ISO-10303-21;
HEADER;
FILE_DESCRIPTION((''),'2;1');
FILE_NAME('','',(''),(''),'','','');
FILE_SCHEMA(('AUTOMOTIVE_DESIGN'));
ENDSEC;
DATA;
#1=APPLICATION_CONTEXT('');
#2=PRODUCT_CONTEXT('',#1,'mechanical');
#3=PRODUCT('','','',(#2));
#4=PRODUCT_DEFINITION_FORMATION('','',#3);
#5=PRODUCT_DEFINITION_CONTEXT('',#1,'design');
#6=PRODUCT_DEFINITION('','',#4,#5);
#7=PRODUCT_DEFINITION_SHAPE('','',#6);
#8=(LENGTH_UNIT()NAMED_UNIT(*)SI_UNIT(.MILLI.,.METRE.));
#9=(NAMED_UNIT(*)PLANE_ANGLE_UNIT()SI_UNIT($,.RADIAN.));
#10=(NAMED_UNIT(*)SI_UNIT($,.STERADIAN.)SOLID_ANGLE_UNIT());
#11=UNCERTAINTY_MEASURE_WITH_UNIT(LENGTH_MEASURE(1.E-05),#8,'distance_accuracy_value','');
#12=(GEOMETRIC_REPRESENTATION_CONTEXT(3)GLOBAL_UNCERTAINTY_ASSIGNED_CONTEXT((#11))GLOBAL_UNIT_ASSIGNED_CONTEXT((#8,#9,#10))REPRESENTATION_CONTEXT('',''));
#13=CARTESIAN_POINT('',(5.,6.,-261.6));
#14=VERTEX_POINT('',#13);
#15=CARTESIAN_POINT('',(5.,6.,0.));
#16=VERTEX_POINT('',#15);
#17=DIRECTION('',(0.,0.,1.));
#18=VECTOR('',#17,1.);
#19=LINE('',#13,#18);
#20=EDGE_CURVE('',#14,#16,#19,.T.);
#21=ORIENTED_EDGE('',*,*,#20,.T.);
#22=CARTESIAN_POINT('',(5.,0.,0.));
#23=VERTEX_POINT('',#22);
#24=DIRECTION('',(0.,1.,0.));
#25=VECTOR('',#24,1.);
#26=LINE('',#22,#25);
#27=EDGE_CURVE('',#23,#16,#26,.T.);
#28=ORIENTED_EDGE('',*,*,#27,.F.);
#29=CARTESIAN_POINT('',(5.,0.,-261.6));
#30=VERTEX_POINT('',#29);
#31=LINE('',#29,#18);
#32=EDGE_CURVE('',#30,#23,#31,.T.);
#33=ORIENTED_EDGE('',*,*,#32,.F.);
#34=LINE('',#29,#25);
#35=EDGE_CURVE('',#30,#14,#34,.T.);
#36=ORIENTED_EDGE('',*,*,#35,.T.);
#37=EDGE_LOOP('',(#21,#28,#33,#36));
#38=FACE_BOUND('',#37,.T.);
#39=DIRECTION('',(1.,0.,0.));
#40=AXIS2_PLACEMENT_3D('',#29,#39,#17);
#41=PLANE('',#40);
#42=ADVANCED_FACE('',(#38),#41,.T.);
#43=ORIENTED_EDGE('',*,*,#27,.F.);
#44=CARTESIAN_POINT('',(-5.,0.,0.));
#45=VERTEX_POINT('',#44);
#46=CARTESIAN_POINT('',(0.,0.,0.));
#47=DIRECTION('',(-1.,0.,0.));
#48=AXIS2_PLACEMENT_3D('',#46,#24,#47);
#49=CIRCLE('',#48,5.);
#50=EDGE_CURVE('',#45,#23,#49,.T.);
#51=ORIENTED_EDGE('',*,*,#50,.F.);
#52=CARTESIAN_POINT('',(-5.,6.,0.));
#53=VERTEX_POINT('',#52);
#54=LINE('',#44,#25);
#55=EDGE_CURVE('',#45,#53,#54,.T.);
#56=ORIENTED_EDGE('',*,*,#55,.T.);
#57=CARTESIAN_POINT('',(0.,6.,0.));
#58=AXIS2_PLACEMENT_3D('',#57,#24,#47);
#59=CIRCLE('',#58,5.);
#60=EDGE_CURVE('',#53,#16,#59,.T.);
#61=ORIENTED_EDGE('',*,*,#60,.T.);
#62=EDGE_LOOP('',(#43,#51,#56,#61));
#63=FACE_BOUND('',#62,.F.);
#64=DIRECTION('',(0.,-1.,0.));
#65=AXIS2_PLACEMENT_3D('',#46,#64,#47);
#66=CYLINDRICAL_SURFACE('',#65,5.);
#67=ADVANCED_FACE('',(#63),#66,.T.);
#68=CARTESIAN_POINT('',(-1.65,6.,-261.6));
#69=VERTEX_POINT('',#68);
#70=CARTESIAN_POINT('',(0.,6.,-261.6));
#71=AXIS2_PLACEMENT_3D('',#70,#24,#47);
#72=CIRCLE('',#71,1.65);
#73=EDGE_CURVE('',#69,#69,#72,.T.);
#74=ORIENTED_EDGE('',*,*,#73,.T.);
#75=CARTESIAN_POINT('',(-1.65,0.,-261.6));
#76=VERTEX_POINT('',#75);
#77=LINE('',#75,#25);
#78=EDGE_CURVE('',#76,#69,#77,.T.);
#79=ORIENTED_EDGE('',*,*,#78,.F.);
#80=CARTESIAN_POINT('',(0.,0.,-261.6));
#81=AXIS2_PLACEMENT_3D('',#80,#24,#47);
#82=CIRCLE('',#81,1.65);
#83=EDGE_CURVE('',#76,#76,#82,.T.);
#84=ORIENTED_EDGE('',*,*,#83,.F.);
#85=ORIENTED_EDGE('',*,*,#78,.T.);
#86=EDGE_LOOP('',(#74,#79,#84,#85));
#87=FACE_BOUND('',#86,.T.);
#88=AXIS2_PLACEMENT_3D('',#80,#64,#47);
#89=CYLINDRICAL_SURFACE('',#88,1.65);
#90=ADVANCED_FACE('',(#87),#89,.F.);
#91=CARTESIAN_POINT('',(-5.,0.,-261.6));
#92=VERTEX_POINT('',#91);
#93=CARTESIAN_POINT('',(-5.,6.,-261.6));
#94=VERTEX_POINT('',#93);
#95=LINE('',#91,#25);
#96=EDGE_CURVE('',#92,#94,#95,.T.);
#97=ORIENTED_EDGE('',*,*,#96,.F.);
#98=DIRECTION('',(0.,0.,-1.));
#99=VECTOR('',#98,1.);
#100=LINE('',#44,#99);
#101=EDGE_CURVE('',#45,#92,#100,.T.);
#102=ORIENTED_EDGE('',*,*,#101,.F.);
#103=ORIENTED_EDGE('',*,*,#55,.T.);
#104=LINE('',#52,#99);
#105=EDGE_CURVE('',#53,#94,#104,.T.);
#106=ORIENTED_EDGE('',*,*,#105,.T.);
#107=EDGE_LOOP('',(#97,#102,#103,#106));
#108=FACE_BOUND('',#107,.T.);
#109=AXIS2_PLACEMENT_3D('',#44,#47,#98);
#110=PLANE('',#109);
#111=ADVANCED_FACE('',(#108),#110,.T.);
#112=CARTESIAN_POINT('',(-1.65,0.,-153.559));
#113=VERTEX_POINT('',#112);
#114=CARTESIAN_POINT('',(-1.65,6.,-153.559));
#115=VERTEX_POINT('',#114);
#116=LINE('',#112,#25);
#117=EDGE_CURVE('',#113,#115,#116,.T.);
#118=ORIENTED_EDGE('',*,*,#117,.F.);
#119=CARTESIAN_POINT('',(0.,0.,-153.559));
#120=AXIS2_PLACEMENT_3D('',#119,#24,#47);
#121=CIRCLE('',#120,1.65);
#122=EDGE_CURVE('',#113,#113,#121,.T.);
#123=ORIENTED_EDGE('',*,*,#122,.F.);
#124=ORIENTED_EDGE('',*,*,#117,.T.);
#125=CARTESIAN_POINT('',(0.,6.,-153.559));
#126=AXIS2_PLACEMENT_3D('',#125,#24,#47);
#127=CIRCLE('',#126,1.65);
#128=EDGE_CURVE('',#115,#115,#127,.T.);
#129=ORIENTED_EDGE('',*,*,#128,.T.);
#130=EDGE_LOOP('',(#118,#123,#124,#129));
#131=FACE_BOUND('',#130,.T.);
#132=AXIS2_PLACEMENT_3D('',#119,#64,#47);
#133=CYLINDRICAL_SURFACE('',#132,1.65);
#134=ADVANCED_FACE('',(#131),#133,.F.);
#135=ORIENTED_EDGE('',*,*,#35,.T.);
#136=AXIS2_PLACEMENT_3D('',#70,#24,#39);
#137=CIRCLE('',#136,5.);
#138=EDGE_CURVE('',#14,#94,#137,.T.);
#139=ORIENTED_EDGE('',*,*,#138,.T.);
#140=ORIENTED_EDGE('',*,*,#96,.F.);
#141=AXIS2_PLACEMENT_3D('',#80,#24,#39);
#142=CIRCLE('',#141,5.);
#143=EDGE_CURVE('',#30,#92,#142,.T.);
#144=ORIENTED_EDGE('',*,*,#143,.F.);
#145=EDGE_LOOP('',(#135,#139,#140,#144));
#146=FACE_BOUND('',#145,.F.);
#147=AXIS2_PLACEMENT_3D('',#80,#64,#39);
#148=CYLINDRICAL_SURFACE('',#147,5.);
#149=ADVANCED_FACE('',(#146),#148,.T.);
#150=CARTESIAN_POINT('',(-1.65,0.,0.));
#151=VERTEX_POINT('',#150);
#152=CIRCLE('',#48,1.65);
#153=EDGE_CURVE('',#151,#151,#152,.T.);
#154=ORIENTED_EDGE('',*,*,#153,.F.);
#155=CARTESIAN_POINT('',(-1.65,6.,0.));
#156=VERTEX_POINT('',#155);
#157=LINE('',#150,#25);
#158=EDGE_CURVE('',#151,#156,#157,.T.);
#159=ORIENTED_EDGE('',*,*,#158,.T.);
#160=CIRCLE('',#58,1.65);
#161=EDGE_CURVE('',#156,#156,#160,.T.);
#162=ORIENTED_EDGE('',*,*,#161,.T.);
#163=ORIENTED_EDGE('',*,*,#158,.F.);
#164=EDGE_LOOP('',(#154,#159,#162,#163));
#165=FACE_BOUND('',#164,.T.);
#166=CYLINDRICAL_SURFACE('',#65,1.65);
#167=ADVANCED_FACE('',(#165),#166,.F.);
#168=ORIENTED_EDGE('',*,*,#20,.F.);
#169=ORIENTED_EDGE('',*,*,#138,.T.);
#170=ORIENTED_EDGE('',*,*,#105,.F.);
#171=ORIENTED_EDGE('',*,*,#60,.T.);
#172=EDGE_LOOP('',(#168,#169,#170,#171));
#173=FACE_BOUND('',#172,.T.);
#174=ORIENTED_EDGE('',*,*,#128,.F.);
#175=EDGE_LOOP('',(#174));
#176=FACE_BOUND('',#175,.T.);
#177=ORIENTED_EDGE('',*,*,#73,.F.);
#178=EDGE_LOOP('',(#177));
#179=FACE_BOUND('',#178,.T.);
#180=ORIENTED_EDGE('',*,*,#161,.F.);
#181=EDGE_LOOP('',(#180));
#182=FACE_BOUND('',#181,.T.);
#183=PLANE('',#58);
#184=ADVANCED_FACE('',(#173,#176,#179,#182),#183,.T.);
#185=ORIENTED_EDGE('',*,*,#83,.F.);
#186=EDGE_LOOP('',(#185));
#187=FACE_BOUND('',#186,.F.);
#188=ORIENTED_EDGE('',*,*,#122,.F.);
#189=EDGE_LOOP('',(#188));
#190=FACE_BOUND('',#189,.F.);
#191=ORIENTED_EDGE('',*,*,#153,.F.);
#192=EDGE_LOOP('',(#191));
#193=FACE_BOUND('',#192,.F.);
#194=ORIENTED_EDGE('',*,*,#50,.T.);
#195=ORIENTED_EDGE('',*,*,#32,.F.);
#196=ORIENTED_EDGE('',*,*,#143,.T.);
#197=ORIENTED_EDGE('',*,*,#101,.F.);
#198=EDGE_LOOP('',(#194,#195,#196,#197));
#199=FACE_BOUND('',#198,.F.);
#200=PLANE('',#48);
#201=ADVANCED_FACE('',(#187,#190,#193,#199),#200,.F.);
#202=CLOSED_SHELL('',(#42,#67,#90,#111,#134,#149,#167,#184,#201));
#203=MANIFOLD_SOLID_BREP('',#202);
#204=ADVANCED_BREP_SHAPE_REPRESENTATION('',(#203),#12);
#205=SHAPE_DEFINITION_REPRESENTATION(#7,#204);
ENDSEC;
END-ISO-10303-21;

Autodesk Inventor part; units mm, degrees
ref_plane "YZ Plane" through (0, 0, 0) normal (1, 0, 0) x (0, 1, 0)
ref_plane "XZ Plane" through (0, 0, 0) normal (0, 1, 0) x (-1, 0, 0)
ref_plane "XY Plane" through (0, 0, 0) normal (0, 0, 1) x (1, 0, 0)
sketch "Sketch1" plane through (0, 0, 0) normal (0, 1, 0) x (-1, 0, 0)
  line L0 (0, 0) -> (0, -261.6) construction
  line L1 (5, 0) -> (5, -261.6)
  line L2 (-5, -261.6) -> (-5, 0)
  arc A0 (5, 0) -> (-5, 0) centre (0, 0) ccw
  arc A1 (-5, -261.6) -> (5, -261.6) centre (0, -261.6) ccw
  circle A2 centre (0, 0) radius 1.65
  circle A3 centre (0, -261.6) radius 1.65
  circle A4 centre (0, -153.559) radius 1.65
  point P0 (0, -130.8)
  dimension "d0" = 3.3
  dimension "d1" = 3.3
  dimension "d2" = 10
  dimension "d3" = 261.6
  dimension "d4" = 3.3
  dimension "d5" = 153.559
extrude "Extrusion1" add sketch "Sketch1" along normal blind 6
